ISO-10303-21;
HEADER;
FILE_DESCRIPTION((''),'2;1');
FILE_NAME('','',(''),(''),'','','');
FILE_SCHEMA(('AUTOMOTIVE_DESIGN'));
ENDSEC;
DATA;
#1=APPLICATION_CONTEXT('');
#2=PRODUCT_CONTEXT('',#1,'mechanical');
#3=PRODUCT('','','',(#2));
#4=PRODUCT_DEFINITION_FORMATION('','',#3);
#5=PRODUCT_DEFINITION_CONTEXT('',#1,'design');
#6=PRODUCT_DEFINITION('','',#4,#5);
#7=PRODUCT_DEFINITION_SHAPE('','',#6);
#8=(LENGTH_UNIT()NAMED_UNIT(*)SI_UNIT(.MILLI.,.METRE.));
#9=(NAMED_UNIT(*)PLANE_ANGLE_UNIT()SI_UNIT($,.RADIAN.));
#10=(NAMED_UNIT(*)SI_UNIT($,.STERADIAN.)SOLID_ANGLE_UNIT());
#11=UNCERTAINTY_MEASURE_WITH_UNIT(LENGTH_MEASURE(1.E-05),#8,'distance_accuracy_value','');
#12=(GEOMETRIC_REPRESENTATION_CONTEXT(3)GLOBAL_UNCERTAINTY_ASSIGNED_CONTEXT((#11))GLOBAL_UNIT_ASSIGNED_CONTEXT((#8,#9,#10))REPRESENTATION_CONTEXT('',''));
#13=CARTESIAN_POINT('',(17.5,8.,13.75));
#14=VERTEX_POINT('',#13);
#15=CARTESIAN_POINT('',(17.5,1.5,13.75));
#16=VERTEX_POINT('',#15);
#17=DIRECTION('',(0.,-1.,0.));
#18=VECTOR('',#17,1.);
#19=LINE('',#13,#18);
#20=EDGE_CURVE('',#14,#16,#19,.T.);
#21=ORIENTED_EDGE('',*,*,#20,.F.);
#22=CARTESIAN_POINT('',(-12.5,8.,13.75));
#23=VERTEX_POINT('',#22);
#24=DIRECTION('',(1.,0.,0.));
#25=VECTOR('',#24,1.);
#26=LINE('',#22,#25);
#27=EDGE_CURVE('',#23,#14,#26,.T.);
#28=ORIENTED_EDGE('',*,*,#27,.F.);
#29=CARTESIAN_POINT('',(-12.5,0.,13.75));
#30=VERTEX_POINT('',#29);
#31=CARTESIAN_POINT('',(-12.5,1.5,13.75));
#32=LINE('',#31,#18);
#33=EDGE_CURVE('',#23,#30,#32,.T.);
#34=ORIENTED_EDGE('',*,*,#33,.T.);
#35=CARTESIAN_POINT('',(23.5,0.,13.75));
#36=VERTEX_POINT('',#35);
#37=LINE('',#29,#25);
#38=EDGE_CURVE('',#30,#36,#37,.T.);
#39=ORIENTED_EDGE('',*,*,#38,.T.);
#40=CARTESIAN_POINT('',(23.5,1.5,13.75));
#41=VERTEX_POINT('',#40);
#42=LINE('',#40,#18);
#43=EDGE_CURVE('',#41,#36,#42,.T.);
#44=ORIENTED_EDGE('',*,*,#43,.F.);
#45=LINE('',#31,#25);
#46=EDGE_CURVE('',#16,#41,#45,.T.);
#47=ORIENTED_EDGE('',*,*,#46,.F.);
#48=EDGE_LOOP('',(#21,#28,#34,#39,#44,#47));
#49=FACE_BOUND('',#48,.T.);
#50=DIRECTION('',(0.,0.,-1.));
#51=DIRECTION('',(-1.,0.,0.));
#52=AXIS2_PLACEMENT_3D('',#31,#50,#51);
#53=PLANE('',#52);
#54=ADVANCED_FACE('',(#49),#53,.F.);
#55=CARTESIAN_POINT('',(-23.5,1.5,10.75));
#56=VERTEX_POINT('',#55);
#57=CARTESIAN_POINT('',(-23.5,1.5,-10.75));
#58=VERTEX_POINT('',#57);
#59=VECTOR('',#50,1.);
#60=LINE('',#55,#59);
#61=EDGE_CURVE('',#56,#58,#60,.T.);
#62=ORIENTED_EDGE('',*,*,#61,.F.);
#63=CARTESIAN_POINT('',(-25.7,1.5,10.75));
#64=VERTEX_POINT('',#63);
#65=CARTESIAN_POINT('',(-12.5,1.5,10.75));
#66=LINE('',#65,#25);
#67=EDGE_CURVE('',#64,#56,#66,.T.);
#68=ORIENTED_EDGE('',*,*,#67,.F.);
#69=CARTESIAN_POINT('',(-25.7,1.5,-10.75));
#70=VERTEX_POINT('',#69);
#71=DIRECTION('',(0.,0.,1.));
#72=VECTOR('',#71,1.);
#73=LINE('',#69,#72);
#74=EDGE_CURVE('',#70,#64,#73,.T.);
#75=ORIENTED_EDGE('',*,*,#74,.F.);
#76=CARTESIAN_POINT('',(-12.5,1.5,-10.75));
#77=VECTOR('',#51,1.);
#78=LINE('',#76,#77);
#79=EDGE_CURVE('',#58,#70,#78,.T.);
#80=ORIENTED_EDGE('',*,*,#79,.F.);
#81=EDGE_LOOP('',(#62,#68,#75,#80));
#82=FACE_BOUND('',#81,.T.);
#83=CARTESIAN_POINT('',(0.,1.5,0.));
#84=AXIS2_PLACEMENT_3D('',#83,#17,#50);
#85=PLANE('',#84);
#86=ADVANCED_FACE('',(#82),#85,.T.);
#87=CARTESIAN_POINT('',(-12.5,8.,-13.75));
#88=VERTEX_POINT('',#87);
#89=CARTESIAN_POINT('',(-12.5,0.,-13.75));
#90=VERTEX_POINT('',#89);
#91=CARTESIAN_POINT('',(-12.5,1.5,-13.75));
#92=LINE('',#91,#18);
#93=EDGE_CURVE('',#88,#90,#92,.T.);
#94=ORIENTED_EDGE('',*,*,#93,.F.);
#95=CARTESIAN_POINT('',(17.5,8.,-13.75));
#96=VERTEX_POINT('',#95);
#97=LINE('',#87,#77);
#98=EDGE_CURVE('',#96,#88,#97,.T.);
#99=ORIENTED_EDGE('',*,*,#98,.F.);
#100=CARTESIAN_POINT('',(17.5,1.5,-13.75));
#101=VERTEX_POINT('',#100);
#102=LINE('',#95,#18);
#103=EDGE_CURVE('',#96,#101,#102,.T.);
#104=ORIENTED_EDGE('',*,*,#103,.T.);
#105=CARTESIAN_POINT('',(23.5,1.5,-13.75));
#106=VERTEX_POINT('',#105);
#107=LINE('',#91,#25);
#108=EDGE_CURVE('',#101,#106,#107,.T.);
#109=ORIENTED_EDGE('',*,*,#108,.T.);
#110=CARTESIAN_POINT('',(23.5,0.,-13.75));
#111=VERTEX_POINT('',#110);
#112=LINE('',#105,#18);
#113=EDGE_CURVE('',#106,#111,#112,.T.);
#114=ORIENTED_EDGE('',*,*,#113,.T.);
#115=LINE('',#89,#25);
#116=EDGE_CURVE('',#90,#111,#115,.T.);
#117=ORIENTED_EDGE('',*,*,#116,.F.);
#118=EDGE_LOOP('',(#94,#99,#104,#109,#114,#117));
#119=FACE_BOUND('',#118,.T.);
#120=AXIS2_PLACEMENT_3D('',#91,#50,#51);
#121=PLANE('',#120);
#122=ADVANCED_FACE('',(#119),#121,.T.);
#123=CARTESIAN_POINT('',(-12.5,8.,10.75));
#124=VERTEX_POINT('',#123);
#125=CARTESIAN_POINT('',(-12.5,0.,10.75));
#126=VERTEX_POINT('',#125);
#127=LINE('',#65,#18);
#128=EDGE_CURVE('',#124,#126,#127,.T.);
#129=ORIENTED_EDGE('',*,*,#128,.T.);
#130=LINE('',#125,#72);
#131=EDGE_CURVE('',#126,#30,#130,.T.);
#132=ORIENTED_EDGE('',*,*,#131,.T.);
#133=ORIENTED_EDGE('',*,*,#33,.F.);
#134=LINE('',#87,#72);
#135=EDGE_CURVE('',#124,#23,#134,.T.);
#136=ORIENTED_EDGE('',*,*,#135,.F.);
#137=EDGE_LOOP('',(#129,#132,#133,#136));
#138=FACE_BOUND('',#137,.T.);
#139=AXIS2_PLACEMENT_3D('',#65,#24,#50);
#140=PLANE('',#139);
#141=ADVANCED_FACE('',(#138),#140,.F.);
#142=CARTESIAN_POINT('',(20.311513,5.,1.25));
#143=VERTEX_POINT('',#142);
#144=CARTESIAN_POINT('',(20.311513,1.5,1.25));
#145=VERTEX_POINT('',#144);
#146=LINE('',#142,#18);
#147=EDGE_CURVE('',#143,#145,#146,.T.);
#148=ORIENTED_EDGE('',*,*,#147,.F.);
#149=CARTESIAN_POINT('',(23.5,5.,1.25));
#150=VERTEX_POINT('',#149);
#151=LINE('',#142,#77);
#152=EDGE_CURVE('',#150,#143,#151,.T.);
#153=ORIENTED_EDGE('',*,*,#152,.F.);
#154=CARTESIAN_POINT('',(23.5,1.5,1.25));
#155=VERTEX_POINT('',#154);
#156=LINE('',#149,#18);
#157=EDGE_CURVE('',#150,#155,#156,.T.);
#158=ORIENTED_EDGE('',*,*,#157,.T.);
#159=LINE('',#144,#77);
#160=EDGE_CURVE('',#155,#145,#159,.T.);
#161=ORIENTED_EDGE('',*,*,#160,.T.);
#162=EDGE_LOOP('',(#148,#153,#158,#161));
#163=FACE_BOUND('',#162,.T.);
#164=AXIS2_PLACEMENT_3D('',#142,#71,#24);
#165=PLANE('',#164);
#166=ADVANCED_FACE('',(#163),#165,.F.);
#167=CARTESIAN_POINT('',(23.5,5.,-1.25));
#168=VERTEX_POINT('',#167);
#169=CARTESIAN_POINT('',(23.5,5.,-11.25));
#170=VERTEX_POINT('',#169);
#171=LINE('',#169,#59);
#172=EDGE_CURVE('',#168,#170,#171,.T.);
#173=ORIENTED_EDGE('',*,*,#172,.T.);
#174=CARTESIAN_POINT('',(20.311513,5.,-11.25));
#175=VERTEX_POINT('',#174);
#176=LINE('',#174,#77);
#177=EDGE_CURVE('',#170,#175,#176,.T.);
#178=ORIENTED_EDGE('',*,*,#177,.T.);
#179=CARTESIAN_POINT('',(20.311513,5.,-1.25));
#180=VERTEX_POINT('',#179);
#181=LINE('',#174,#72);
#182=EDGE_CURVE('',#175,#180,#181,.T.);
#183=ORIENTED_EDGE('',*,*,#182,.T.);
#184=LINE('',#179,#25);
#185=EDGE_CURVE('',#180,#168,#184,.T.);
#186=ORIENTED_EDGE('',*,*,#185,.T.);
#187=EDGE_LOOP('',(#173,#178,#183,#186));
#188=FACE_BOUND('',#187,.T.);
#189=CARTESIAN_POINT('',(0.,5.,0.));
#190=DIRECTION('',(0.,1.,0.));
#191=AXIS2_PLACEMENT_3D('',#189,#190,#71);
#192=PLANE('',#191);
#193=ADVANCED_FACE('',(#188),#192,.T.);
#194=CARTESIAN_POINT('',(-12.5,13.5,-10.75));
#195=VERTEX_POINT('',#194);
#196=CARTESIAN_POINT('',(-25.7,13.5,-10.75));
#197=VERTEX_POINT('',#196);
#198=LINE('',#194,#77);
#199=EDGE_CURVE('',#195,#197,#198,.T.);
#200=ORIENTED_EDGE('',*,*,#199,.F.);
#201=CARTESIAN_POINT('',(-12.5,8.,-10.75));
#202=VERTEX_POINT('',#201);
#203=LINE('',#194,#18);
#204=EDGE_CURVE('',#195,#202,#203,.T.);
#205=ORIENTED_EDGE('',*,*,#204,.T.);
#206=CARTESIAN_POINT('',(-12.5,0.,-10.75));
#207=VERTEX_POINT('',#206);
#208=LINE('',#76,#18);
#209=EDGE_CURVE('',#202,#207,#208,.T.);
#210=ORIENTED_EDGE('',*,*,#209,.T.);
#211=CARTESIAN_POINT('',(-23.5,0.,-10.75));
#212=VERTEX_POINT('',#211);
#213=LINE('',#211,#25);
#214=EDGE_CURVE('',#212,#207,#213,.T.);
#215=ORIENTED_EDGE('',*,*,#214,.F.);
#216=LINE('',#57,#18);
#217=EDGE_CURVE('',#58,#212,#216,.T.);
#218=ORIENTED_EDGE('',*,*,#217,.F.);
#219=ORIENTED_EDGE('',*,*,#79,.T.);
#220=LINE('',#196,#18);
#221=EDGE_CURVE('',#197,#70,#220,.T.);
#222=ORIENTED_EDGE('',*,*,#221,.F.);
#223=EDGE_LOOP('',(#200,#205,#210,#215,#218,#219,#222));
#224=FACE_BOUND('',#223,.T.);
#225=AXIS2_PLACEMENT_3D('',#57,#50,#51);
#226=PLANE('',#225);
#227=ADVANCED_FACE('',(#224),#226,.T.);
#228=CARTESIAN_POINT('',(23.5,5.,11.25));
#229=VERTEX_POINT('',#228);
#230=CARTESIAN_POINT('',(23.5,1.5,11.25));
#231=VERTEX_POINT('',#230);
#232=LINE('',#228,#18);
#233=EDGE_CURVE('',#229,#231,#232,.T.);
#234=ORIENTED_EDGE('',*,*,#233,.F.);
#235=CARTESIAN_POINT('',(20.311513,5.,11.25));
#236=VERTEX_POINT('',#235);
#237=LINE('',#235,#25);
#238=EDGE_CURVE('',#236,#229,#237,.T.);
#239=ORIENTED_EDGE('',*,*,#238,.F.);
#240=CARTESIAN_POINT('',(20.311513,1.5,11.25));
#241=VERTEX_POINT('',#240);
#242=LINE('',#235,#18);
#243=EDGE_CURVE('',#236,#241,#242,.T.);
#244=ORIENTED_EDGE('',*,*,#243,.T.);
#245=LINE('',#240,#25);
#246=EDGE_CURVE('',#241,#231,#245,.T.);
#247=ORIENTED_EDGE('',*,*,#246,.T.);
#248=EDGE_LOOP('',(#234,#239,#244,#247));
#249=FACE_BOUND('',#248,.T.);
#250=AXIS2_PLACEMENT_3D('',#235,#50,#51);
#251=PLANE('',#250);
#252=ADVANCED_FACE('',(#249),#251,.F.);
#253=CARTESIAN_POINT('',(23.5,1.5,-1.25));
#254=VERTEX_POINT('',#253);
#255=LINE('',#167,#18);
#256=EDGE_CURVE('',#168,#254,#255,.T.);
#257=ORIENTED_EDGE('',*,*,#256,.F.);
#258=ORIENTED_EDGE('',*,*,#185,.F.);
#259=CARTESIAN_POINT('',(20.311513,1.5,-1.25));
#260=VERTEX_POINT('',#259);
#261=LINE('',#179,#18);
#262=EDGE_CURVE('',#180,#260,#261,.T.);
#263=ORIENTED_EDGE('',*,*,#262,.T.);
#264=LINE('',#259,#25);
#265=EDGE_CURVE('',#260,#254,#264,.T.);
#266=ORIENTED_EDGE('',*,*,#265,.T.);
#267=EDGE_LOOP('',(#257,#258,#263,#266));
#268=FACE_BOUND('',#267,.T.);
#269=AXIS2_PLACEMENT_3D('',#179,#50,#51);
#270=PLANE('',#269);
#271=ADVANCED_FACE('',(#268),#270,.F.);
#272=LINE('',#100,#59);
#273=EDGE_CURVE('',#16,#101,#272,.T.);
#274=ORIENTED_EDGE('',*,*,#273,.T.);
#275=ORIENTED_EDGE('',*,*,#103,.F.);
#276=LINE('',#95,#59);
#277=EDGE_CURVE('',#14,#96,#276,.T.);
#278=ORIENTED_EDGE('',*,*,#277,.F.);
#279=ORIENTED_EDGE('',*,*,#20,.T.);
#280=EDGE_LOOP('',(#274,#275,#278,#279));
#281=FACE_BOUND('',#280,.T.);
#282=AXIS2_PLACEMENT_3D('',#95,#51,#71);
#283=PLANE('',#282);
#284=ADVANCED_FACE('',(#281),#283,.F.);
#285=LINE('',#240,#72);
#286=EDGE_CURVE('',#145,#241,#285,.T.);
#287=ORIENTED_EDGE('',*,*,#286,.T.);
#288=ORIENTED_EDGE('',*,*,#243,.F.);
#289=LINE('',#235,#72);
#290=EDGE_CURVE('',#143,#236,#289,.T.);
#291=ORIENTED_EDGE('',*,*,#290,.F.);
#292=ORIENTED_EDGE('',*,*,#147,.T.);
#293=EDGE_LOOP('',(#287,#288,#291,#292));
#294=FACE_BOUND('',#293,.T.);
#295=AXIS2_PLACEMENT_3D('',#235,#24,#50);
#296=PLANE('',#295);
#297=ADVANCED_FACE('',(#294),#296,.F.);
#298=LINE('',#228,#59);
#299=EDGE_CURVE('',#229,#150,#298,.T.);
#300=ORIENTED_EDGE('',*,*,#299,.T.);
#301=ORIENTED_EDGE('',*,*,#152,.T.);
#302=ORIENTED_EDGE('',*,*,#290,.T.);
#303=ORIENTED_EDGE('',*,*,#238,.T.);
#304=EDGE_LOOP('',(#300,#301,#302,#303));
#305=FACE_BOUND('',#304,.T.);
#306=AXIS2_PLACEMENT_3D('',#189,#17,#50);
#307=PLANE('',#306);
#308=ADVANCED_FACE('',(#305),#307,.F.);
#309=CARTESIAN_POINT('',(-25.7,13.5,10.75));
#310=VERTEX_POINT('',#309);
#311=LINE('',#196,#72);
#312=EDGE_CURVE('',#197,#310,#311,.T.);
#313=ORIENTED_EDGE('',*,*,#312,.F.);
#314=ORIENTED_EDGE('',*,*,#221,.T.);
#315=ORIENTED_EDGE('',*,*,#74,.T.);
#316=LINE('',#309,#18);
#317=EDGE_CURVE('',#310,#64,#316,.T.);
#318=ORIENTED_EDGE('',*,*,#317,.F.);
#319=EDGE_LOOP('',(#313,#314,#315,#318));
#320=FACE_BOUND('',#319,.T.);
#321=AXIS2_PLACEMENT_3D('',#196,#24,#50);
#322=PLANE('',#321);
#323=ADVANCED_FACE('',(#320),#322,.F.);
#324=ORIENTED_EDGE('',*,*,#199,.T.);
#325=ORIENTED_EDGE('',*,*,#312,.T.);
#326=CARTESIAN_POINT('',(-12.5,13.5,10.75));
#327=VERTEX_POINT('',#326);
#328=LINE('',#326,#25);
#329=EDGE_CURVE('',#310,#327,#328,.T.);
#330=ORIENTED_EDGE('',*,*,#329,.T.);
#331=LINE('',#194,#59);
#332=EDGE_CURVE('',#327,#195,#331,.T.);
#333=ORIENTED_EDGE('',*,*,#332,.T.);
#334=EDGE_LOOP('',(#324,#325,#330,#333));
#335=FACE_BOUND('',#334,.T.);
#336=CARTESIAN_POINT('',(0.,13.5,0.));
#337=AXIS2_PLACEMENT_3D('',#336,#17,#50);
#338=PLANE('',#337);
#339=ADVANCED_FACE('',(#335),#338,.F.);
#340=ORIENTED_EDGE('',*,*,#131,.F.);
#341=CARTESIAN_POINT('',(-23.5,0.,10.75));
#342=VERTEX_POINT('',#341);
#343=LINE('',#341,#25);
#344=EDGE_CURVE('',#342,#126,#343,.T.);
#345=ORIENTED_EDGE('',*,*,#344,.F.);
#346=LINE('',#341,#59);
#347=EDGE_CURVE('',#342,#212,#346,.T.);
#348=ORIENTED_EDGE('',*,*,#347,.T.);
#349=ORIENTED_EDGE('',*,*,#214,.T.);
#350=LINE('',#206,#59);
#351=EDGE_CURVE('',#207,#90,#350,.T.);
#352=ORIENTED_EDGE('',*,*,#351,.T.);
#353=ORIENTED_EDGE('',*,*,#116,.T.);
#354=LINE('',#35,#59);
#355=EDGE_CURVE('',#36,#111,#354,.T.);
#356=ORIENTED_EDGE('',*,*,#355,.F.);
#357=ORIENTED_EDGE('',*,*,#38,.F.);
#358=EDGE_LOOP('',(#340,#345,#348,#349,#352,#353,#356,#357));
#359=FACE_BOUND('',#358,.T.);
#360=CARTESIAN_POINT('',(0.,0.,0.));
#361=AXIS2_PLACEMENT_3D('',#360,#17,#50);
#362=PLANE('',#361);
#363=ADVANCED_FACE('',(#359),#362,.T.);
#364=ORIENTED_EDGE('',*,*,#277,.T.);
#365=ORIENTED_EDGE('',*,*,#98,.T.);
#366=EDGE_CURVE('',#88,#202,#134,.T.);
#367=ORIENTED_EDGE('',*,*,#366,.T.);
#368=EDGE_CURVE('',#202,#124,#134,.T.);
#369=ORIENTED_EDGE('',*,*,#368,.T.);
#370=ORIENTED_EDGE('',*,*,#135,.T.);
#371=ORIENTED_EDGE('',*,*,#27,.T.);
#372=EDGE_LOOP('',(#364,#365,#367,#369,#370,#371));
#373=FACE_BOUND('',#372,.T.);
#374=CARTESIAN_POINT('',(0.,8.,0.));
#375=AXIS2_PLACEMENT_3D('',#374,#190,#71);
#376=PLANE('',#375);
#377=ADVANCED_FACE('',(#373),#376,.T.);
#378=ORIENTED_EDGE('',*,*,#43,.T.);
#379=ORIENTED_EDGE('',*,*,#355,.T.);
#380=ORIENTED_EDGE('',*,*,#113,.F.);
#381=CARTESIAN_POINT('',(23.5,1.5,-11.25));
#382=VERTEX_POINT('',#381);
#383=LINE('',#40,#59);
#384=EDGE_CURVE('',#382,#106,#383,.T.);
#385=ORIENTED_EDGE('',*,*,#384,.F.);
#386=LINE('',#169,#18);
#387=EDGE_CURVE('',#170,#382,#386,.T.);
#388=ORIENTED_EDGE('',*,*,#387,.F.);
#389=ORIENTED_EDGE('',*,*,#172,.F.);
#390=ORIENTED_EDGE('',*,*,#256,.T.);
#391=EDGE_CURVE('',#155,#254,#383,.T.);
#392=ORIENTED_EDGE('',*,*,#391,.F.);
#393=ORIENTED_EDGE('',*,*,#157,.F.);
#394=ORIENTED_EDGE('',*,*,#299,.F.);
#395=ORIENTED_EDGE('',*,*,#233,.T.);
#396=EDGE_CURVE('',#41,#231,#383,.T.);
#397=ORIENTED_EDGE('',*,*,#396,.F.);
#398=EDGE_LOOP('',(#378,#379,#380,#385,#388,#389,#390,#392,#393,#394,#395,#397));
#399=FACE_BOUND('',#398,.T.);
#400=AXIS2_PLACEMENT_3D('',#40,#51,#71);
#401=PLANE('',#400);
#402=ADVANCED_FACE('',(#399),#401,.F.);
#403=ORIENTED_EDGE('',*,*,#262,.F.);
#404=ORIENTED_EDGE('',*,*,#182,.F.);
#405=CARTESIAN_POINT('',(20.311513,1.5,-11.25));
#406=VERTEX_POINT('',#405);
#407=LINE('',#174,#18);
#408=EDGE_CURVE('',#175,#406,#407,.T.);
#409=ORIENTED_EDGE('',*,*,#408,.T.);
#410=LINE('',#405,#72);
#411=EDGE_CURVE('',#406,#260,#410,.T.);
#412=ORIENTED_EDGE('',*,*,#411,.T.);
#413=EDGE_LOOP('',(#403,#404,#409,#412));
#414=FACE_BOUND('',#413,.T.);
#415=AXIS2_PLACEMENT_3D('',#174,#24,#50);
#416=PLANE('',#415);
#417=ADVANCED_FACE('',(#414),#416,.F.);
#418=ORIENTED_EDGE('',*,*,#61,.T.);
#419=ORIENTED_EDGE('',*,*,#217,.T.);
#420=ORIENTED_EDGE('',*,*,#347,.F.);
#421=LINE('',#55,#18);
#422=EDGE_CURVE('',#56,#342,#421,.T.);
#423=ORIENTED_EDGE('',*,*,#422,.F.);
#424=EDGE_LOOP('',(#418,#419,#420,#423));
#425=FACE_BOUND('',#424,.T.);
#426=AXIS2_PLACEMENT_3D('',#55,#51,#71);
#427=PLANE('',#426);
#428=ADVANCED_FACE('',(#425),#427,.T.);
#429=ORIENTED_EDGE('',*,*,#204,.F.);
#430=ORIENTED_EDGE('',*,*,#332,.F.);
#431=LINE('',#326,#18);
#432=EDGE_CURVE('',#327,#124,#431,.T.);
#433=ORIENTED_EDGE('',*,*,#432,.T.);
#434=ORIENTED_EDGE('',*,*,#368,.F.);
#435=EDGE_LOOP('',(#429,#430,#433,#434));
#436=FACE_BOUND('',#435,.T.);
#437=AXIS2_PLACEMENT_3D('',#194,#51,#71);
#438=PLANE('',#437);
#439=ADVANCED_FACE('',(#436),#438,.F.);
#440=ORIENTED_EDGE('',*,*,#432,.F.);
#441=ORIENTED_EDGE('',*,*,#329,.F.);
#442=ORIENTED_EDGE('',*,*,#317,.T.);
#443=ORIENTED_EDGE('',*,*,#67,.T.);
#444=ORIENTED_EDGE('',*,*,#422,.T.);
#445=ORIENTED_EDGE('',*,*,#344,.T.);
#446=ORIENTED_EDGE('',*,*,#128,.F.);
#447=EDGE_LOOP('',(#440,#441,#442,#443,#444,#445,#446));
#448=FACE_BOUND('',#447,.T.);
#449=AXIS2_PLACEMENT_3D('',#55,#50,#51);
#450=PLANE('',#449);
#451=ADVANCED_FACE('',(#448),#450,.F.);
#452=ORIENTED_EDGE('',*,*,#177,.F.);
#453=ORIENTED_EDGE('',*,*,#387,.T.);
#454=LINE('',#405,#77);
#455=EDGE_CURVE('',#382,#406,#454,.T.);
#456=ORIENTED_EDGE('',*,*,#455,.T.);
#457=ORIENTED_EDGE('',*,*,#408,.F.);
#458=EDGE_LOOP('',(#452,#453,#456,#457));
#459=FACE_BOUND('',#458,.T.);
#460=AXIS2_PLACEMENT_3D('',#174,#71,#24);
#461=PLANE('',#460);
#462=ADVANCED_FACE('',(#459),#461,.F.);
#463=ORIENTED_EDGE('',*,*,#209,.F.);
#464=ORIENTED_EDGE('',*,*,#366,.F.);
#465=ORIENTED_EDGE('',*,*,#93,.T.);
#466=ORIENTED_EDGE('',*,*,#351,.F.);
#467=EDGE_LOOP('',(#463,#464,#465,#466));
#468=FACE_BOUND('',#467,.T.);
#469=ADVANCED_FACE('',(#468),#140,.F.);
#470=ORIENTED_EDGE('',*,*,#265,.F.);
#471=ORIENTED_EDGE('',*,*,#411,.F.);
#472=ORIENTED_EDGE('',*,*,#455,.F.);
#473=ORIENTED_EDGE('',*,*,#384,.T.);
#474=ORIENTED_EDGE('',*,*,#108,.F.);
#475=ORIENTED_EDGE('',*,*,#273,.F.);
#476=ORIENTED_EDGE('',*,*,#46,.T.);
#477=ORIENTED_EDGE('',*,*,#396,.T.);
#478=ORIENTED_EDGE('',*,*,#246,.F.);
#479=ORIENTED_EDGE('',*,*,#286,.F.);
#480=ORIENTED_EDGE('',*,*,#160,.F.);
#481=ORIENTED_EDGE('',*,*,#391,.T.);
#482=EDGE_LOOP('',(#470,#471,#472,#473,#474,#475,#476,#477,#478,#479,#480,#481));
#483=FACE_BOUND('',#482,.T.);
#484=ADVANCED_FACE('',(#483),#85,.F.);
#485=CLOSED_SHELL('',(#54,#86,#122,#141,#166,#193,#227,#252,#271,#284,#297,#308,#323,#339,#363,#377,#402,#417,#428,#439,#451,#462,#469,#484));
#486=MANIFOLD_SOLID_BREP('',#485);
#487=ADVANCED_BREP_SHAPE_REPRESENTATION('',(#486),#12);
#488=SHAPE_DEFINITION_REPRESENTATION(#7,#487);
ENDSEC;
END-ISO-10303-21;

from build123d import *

# Parameters (mm, degrees)
EXTRUDE_1_DEPTH = 1.5
SKETCH_2_W      = 30
SKETCH_2_H      = 27.5
EXTRUDE_2_DEPTH = 6.5
SKETCH_3_W      = 13.2
SKETCH_3_H      = 21.5
EXTRUDE_3_DEPTH = 12
SKETCH_4_W      = 3.188486523
SKETCH_4_H      = 10
EXTRUDE_4_DEPTH = 3.5


with BuildPart() as part:
    # 草图1 → 凸台-拉伸1 (new body)
    with BuildSketch(Plane(origin=(0, 0, 0), x_dir=(1, 0, 0), z_dir=(0, 1, 0))):
        Polygon((-23.5, 10.75), (-12.5, 10.75), (-12.5, 13.75), (23.5, 13.75), (23.5, -13.75), (-12.5, -13.75), (-12.5, -10.75), (-23.5, -10.75), align=None)
    extrude(amount=EXTRUDE_1_DEPTH)

    # 草图2 → 凸台-拉伸2 (add)
    with BuildSketch(Plane(origin=(0, 1.5, 0), x_dir=(1, 0, 0), z_dir=(0, 1, 0))):
        with Locations((2.5, 0)):
            Rectangle(SKETCH_2_W, SKETCH_2_H)
    extrude(amount=EXTRUDE_2_DEPTH)

    # 草图3 → 凸台-拉伸3 (add)
    with BuildSketch(Plane(origin=(0, 1.5, 0), x_dir=(1, 0, 0), z_dir=(0, 1, 0))):
        with Locations((-19.1, 0)):
            Rectangle(SKETCH_3_W, SKETCH_3_H)
    extrude(amount=EXTRUDE_3_DEPTH)

    # 草图4 → 凸台-拉伸4 (add)
    with BuildSketch(Plane(origin=(0, 1.5, 0), x_dir=(1, 0, 0), z_dir=(0, 1, 0))):
        with Locations((21.905756739, 6.25)):
            Rectangle(SKETCH_4_W, SKETCH_4_H)
        with Locations((21.905756739, -6.25)):
            Rectangle(SKETCH_4_W, SKETCH_4_H)
    extrude(amount=EXTRUDE_4_DEPTH)


solid = part.part
